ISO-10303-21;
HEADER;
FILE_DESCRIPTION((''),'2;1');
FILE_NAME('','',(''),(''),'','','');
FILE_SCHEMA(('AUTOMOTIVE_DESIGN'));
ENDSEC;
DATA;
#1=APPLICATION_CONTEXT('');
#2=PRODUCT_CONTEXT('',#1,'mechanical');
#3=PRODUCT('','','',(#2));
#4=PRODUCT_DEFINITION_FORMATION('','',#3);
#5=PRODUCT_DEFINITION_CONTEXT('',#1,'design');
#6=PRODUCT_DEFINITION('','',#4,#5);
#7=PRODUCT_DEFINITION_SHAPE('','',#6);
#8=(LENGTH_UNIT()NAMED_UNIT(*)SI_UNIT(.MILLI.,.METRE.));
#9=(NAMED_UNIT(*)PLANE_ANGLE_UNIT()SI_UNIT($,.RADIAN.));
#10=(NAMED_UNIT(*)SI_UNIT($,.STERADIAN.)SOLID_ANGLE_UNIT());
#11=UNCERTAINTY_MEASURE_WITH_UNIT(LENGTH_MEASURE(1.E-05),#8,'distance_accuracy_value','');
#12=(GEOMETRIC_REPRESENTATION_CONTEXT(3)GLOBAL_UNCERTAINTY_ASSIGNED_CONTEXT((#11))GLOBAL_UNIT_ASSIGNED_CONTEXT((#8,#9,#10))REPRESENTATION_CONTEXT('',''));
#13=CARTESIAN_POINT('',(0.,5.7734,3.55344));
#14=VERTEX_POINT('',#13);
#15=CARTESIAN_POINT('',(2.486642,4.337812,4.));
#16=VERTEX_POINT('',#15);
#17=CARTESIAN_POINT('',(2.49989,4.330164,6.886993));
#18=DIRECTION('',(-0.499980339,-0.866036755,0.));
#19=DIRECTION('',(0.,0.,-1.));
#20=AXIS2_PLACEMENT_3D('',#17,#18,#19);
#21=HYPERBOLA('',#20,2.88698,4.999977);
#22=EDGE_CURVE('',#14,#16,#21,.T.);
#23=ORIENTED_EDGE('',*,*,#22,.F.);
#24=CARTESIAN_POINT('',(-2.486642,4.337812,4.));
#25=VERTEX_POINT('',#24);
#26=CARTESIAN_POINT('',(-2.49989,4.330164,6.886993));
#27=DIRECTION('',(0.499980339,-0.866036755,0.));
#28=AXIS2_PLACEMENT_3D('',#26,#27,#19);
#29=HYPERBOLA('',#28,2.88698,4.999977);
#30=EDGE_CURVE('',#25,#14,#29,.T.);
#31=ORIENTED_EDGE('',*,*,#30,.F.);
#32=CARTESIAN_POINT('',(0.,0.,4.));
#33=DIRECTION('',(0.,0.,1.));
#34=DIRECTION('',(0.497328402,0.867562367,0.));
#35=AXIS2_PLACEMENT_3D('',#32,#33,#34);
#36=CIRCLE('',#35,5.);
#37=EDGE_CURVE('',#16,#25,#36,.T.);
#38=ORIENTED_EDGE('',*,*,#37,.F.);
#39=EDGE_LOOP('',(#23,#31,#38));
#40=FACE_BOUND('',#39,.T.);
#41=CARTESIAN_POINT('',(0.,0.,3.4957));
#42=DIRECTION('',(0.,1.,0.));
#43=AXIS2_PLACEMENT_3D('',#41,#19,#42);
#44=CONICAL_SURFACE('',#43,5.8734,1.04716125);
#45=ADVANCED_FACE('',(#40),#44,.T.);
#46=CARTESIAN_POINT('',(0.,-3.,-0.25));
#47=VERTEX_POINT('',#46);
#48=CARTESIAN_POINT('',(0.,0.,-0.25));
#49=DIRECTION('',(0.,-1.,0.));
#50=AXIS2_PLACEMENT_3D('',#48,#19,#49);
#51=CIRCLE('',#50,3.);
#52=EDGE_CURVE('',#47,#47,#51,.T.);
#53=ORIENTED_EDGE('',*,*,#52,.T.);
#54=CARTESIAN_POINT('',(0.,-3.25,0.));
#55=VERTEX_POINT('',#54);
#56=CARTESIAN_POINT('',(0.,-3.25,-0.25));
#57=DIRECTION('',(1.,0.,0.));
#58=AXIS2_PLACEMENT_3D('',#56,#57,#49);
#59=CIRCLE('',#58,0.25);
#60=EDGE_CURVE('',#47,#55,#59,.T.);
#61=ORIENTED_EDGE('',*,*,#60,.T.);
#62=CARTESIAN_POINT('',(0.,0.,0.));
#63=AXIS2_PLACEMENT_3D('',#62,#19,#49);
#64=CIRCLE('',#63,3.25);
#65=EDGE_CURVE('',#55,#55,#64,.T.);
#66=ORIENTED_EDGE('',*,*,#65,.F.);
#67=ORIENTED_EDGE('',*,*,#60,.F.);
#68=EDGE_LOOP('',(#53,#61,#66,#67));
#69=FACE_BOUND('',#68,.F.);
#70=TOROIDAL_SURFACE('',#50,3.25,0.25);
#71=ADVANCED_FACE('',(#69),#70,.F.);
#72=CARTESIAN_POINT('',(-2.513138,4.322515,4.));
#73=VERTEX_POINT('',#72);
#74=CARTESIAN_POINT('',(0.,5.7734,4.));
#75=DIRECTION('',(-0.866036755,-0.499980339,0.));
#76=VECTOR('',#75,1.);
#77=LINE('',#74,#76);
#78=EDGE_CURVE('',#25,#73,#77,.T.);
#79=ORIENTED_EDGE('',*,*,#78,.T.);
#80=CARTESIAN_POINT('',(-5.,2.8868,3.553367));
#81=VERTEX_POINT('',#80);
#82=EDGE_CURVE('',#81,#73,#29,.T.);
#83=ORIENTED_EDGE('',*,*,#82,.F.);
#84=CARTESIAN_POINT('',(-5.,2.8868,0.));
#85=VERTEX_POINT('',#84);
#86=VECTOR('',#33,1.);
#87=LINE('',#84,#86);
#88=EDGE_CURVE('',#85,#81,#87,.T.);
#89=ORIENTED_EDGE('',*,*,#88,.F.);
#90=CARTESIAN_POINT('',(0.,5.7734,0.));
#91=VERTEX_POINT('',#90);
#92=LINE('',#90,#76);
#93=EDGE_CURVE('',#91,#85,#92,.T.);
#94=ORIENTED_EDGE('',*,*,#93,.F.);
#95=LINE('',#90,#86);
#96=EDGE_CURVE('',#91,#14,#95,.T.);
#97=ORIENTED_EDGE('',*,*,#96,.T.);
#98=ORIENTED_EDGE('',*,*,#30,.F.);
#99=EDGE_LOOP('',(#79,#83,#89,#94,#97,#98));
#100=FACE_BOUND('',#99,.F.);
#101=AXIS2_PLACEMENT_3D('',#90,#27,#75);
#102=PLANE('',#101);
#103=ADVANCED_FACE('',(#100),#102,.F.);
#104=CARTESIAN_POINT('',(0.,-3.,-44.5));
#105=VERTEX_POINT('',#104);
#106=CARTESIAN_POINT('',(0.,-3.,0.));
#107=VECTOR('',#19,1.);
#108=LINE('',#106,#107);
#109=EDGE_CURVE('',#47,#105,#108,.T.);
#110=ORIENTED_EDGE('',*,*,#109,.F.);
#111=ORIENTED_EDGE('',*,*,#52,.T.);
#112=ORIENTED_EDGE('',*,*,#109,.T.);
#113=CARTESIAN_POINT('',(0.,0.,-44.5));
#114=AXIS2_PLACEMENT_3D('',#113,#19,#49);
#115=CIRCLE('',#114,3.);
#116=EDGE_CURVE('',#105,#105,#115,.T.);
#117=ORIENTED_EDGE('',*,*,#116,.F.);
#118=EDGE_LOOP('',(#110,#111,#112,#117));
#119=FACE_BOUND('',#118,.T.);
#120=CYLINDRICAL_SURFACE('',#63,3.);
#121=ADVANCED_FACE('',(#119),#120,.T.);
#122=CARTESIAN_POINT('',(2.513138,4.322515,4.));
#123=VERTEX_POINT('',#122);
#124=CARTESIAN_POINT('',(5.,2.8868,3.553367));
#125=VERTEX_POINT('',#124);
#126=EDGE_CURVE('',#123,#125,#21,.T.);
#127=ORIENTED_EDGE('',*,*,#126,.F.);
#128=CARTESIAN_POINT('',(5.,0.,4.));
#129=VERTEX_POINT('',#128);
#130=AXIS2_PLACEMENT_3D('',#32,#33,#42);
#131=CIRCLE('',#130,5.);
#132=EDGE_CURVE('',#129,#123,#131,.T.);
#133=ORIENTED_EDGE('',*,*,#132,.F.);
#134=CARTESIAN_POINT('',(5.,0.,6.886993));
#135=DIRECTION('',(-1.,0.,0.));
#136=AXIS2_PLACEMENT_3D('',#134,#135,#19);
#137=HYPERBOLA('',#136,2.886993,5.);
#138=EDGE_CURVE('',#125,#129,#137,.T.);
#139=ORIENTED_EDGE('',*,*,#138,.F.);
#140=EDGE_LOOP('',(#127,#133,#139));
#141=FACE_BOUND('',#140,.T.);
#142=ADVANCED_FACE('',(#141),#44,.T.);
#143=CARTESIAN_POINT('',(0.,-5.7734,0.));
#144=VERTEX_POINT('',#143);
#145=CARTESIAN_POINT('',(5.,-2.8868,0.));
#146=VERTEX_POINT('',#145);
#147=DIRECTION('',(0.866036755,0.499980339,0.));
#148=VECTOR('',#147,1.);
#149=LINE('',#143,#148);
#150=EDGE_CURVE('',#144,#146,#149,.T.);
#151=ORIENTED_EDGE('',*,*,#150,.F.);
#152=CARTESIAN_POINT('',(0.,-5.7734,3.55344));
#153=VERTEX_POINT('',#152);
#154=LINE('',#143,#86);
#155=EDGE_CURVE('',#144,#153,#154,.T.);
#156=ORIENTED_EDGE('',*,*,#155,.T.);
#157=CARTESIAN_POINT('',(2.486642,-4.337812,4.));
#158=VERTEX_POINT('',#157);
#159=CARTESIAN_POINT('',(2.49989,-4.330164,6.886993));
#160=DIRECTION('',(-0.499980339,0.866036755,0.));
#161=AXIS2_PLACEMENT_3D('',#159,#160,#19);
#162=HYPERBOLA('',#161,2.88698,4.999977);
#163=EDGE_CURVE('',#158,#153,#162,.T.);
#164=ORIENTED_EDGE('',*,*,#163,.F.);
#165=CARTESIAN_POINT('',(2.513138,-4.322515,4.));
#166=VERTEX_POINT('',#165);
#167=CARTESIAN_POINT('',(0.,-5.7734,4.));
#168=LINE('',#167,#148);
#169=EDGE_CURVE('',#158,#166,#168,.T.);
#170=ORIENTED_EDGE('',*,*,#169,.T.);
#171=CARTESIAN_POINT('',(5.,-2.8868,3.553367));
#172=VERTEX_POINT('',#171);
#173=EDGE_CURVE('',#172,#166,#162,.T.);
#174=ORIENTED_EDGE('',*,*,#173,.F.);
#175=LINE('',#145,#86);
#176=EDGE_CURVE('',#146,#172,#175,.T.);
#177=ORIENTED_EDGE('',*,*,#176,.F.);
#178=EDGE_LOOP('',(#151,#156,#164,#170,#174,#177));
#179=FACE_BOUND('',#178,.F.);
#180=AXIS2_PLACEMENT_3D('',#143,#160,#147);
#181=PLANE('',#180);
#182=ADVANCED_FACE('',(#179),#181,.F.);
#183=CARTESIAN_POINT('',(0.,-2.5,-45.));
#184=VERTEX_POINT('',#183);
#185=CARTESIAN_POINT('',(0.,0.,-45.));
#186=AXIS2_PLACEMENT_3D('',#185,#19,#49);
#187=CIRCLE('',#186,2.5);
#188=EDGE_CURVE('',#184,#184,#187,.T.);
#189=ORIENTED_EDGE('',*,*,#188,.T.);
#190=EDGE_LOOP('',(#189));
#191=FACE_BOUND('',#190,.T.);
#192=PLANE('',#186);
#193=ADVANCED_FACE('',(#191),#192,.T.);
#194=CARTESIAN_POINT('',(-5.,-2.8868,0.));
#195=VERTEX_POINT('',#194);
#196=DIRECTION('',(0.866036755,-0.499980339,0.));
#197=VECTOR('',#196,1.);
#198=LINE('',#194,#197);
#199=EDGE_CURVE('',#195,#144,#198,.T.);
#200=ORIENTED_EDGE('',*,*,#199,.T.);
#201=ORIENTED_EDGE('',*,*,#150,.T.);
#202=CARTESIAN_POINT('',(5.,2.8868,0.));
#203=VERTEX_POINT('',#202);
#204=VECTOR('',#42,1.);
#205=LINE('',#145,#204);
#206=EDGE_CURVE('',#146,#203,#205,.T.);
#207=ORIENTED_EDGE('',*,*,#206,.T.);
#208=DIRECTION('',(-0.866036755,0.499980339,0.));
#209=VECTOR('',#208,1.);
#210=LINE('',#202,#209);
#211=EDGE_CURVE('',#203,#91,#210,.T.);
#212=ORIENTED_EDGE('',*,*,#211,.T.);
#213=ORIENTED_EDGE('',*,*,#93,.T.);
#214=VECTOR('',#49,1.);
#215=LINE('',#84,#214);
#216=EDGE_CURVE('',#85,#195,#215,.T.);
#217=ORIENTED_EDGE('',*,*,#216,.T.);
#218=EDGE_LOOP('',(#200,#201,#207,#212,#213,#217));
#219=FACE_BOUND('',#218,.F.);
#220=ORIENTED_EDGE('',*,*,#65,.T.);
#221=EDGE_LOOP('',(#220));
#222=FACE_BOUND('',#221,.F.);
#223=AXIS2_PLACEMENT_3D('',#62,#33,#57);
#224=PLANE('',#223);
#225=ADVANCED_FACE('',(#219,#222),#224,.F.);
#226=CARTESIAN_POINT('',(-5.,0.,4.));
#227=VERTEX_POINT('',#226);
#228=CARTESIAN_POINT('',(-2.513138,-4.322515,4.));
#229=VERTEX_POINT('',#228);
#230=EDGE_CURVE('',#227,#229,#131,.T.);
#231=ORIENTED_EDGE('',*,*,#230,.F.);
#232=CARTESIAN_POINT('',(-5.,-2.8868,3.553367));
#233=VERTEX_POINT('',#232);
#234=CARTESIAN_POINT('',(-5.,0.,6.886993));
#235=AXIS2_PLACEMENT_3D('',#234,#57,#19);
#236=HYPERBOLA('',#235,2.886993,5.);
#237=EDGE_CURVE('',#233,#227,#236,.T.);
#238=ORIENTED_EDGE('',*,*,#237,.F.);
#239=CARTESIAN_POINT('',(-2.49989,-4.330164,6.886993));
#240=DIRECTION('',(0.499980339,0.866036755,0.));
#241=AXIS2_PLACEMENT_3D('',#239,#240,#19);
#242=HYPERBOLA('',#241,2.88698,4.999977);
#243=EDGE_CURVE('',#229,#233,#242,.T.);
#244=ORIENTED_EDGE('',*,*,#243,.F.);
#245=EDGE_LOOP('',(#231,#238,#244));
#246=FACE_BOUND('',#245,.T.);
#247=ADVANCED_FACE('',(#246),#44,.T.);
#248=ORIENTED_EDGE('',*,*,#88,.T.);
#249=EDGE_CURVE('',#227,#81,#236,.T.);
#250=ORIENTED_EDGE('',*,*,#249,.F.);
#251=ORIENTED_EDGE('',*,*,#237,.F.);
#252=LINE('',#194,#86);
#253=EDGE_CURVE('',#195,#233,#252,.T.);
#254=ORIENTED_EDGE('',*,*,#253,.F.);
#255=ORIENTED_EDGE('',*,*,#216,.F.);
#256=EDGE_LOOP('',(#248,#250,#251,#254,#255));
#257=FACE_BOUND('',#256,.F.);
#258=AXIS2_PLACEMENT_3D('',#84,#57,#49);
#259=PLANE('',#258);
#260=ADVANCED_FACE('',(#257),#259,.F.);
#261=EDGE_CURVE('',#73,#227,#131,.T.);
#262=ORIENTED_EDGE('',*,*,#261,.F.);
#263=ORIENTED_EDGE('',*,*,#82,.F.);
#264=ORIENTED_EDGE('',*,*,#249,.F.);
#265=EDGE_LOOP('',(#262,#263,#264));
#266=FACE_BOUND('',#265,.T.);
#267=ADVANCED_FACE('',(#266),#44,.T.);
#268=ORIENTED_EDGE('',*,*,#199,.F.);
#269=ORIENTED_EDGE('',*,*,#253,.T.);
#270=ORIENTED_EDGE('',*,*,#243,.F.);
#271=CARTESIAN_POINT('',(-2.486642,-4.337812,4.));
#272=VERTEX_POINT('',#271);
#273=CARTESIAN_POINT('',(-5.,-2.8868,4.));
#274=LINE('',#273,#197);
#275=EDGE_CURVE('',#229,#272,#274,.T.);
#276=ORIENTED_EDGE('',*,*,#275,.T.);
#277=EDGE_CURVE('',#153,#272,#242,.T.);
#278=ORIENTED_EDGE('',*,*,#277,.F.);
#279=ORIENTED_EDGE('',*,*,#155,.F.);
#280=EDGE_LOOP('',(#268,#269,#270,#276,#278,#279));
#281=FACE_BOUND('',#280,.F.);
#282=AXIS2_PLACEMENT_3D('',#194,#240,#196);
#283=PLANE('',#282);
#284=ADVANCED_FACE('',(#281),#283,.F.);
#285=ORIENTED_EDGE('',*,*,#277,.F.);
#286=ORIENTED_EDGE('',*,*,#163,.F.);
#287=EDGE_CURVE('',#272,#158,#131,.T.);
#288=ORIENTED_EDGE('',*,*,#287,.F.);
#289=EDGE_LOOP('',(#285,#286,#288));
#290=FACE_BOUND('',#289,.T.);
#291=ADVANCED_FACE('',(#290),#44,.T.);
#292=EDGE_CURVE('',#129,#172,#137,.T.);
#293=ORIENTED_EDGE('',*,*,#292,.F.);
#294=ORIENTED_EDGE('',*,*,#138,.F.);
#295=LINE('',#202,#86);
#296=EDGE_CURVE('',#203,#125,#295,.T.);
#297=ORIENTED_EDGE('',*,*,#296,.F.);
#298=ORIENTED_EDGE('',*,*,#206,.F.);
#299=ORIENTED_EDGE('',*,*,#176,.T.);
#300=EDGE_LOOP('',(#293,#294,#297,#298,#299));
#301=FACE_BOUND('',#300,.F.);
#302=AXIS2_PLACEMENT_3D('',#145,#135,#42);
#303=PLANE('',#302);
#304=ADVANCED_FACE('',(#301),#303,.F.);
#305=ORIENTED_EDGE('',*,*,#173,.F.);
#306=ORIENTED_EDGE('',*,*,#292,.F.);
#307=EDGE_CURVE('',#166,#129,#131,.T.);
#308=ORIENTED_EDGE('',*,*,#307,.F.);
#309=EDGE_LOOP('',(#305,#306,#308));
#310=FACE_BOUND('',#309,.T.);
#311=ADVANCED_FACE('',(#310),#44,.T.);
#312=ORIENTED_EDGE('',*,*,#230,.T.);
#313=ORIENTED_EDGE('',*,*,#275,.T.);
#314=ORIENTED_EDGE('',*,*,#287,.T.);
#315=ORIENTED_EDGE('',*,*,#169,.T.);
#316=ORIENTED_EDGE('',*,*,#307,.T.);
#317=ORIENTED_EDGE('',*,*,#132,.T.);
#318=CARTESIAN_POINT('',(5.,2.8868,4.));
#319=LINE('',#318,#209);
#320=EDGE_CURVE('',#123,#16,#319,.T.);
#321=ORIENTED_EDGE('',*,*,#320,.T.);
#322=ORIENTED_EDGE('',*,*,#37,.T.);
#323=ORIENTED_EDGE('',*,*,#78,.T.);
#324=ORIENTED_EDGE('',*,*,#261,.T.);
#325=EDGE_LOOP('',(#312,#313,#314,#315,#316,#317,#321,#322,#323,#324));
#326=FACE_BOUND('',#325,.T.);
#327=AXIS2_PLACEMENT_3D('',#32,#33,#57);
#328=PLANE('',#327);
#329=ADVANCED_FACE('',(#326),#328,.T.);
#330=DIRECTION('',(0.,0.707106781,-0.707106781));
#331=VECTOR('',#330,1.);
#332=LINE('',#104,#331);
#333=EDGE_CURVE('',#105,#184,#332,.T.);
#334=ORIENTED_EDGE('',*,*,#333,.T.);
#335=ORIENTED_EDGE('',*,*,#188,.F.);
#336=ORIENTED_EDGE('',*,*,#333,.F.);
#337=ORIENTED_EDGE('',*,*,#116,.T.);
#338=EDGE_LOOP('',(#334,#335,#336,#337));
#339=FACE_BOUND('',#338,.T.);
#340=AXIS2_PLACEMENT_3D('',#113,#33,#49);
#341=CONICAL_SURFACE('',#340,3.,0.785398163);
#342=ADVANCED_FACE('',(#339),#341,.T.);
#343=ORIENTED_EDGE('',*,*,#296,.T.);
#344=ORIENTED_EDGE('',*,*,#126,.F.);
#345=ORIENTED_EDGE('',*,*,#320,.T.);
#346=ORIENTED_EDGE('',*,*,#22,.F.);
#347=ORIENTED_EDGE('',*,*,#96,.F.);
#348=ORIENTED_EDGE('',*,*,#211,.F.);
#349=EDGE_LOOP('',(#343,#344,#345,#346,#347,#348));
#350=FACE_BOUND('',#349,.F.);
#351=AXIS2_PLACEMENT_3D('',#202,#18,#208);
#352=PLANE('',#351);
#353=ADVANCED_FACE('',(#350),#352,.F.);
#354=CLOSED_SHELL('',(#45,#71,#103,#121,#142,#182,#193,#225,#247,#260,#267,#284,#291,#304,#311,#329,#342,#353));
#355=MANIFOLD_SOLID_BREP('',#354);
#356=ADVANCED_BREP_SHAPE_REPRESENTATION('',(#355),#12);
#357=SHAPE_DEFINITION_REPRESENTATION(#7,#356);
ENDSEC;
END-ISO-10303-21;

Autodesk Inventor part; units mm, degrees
ref_plane "WorkPlane1" through (0, 0, 0) normal (0, 0, 1) x (1, 0, 0)
sketch "Sketch1" plane through (0, 0, 0) normal (0, 0, 1) x (1, 0, 0)
  point P0 (0, 0)
sketch "Sketch2" plane through (0, 0, 0) normal (0, 0, 1) x (1, 0, 0)
  line L0 (-5, 2.8868) -> (-5, -2.8868)
  line L1 (0, 5.7734) -> (-5, 2.8868)
  line L2 (5, 2.8868) -> (0, 5.7734)
  line L3 (5, -2.8868) -> (5, 2.8868)
  line L4 (0, -5.7734) -> (5, -2.8868)
  line L5 (-5, -2.8868) -> (0, -5.7734)
  circle A0 centre (0, 0) radius 5 construction
  dimension "d1" = 10
  dimension "d29" = 0
  dimension "d30" = 0
extrude "Extrusion1" add sketch "Sketch2" along normal blind 4
sketch "Sketch3" plane through (0, 0, 0) normal (1, 0, 0) x (0, 1, 0)
  line L0 (5, 4) -> (5.8734, 4)
  line L1 (5.8734, 3.4957) -> (5, 4)
  line L2 (5.8734, 4) -> (5.8734, 3.4957)
  line L3 (0, -0.8) -> (0, 4.8) projected
  line L4 (5.7734, 0) -> (5.7734, 4) projected
  dimension "d25" = 0.1
  dimension "d26" = 0
  dimension "d27" = 60
  dimension "d28" = 5
revolve "Revolution1" cut sketch "Sketch3" angle 360 about axis through (0, 0, -10) along (0, 0, 1)
sketch "Sketch4" plane through (0, 0, 0) normal (1, 0, 0) x (0, 1, 0)
  line L0 (0, -45) -> (0, 0)
  line L1 (-3, -45) -> (0, -45)
  line L2 (-3, 0) -> (-3, -45)
  line L3 (0, 0) -> (-3, 0)
  line L4 (0, -45) -> (0, 0)
  line L5 (-3.6, 0) -> (0.6, 0) projected
  line L6 (0, -54) -> (0, 9) projected
  dimension "d18" = 3
  dimension "d20" = 45
  dimension "d33" = 0
  dimension "d34" = 0
revolve "Revolution2" add sketch "Sketch4" angle 360 about axis through (0, 0, -45) along (0, 0, -1)
chamfer "Chamfer1" distance 0.5 angle 45 1 edges at (0, 3, -45)
fillet "Fillet1" radius 0.25 1 edges at (0, 3, 0)
thread "Thread1" size "M6x1" class "6g" standard "ISO Metric profile" length 18
ref_plane "MSC_PF1" through (0, 0, 0) normal (1, 0, 0) x (0, 1, 0)
ref_plane "MSC_PT1" through (0, 0, 0) normal (0, 0, -1) x (-1, 0, 0)
equation "\"d22\" = 0.5 * PTC"
equation "\"d23\" = 0.5 * PTC"
equation "\"d24\" = r"
equation "\"d1\" = ParS"
equation "\"d6\" = ParK"
equation "\"d28\" = 0.5 * ParS"
equation "\"d18\" = 0.5 * NND"
equation "\"d20\" = NLG"
equation "\"NND\" = 6"
equation "\"NLG\" = 45"
equation "\"PTC\" = 1"
equation "\"ParK\" = 4"
equation "\"ParS\" = 10"
equation "\"msp_es\" = 0.577367 * ParS"
equation "\"r\" = 0.25"
equation "\"THREADDIA\" = NND"
properties part number "ISO 4016 - M6 x 45" material "Steel"
